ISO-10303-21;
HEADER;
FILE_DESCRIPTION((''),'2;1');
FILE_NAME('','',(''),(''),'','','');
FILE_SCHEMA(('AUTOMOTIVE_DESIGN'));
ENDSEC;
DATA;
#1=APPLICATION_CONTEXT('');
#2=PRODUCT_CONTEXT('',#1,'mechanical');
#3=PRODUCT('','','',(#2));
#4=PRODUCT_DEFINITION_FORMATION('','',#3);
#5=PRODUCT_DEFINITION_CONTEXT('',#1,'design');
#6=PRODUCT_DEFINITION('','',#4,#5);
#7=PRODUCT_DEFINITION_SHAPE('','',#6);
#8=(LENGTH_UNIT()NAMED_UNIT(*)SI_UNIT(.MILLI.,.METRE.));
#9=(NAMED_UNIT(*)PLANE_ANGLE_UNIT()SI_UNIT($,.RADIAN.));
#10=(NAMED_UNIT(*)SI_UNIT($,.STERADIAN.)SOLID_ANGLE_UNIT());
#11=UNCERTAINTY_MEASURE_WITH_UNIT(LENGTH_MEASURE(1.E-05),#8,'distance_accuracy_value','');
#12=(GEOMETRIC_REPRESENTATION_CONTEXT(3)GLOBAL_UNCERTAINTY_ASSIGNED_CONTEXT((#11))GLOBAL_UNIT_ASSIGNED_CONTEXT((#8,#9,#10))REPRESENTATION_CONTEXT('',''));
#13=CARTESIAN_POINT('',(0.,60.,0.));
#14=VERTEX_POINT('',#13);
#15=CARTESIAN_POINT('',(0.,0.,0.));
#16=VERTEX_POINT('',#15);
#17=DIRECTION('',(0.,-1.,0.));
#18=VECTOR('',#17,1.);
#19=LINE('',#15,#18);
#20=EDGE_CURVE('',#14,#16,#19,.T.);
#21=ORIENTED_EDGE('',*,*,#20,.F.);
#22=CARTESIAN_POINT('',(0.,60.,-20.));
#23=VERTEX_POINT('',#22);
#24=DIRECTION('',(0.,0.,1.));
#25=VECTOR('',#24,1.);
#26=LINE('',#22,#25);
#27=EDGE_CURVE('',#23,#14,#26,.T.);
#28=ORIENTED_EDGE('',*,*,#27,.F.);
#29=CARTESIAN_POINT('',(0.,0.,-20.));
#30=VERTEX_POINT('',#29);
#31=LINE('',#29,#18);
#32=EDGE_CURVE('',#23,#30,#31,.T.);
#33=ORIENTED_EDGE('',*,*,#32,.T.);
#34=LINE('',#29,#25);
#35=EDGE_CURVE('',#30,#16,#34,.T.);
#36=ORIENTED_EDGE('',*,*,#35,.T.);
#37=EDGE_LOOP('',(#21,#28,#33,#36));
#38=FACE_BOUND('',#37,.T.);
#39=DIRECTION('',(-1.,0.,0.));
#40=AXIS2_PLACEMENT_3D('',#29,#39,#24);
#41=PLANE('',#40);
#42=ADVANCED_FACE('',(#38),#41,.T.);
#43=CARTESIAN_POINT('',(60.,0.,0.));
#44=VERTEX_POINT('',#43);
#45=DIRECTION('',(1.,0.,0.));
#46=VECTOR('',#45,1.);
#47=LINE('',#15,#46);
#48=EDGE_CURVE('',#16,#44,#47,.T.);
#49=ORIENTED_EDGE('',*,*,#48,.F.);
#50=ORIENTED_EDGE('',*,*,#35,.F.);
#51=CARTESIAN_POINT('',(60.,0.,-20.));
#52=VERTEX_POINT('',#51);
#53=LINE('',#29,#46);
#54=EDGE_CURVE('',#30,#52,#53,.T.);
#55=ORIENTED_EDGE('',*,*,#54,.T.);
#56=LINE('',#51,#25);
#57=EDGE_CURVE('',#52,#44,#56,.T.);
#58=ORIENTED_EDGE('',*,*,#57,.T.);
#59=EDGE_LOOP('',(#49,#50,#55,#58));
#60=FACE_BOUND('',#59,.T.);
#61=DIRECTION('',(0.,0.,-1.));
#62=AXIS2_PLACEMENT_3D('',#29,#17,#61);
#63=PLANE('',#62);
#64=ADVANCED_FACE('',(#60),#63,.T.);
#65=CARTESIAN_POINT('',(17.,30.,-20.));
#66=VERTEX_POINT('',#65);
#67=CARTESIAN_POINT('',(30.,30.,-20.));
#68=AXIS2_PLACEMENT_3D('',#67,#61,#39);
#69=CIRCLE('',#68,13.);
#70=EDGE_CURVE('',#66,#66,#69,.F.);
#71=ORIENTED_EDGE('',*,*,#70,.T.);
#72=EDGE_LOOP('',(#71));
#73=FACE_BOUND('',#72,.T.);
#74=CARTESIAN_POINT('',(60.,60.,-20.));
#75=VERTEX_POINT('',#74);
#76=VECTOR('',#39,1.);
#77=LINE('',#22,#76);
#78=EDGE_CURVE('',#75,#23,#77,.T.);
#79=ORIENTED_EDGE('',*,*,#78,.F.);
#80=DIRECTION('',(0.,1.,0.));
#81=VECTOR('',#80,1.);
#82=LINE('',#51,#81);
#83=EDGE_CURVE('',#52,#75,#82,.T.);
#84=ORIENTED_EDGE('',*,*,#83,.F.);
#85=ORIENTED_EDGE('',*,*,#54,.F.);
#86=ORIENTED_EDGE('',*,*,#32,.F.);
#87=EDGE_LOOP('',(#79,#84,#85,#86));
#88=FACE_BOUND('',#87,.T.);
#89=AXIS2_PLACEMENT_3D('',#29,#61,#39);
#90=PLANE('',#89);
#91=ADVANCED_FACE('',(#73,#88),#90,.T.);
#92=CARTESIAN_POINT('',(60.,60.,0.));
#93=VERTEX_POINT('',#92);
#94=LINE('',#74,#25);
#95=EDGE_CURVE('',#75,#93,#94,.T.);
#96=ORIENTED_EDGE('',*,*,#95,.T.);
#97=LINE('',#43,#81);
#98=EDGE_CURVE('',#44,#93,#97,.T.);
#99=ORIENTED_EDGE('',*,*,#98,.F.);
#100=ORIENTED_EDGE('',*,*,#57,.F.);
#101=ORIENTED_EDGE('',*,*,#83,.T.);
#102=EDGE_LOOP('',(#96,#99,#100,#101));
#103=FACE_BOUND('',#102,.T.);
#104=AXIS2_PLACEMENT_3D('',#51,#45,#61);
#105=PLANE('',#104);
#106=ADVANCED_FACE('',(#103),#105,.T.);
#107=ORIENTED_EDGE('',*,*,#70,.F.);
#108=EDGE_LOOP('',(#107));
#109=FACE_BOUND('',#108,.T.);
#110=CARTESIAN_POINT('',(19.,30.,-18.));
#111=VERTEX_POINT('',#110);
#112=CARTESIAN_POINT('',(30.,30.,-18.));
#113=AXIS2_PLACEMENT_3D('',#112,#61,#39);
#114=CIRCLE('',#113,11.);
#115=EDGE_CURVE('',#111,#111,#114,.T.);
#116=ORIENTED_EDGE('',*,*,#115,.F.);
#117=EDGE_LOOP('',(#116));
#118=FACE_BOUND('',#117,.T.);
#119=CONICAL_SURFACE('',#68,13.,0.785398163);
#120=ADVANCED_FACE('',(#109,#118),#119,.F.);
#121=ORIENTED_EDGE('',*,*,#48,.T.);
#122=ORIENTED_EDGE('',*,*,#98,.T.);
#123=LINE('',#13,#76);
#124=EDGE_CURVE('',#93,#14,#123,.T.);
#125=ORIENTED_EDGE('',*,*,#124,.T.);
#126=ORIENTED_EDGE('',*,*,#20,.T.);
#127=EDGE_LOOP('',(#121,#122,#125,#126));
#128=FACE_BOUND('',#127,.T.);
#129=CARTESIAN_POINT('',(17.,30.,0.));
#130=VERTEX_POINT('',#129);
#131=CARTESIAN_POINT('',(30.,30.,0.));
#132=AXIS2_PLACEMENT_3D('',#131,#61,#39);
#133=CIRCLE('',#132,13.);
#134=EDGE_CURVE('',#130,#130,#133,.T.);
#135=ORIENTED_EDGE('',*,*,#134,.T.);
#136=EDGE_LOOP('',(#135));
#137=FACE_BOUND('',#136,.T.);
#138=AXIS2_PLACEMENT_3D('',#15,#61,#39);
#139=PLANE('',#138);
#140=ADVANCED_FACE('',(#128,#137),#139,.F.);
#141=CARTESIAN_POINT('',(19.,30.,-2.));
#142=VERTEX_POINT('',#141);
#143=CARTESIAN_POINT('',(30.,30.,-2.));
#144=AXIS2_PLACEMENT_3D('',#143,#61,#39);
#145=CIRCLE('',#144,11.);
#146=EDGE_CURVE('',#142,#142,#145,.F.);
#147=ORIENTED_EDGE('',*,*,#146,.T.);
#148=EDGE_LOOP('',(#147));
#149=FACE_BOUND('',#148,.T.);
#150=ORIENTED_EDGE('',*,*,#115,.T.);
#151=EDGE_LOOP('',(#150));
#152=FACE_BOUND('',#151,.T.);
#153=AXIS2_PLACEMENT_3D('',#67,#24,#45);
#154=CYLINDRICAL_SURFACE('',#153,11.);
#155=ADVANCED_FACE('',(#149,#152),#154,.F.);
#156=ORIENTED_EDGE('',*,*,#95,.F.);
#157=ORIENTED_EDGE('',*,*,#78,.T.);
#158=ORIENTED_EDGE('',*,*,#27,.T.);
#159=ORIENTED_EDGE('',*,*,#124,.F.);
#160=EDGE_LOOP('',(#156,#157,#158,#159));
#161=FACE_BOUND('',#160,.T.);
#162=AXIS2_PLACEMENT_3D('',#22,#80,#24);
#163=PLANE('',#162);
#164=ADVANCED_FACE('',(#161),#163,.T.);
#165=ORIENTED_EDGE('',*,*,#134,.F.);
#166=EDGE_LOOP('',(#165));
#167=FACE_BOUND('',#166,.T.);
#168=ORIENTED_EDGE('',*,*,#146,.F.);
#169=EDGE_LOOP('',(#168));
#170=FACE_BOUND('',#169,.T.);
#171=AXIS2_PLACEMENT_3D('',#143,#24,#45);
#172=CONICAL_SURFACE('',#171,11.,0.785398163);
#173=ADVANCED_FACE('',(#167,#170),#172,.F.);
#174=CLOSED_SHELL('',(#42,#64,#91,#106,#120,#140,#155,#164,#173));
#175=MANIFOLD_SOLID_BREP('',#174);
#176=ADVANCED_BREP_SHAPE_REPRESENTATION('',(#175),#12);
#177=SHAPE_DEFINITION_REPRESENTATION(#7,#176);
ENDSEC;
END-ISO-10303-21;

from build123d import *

# Parameters (mm, degrees)
SKETCH_1_W      = 60
SKETCH_1_H      = 60
SKETCH_1_R      = 11
EXTRUDE_1_DEPTH = 20
CHAMFER_1_SIZE  = 2


with BuildPart() as part:
    # Эскиз1 → Бобышка-Вытянуть1 (new body)
    with BuildSketch(Plane.XY):
        with Locations((30, 30)):
            Rectangle(SKETCH_1_W, SKETCH_1_H)
        with Locations((30, 30)):
            Circle(SKETCH_1_R, mode=Mode.SUBTRACT)
    extrude(amount=-EXTRUDE_1_DEPTH)

    # Фаска1
    chamfer_1_edges = [part.edges().sort_by_distance(p)[0] for p in [
        (19, 30, -20),
        (19, 30, 0),
    ]]
    chamfer(chamfer_1_edges, length=CHAMFER_1_SIZE)


solid = part.part
